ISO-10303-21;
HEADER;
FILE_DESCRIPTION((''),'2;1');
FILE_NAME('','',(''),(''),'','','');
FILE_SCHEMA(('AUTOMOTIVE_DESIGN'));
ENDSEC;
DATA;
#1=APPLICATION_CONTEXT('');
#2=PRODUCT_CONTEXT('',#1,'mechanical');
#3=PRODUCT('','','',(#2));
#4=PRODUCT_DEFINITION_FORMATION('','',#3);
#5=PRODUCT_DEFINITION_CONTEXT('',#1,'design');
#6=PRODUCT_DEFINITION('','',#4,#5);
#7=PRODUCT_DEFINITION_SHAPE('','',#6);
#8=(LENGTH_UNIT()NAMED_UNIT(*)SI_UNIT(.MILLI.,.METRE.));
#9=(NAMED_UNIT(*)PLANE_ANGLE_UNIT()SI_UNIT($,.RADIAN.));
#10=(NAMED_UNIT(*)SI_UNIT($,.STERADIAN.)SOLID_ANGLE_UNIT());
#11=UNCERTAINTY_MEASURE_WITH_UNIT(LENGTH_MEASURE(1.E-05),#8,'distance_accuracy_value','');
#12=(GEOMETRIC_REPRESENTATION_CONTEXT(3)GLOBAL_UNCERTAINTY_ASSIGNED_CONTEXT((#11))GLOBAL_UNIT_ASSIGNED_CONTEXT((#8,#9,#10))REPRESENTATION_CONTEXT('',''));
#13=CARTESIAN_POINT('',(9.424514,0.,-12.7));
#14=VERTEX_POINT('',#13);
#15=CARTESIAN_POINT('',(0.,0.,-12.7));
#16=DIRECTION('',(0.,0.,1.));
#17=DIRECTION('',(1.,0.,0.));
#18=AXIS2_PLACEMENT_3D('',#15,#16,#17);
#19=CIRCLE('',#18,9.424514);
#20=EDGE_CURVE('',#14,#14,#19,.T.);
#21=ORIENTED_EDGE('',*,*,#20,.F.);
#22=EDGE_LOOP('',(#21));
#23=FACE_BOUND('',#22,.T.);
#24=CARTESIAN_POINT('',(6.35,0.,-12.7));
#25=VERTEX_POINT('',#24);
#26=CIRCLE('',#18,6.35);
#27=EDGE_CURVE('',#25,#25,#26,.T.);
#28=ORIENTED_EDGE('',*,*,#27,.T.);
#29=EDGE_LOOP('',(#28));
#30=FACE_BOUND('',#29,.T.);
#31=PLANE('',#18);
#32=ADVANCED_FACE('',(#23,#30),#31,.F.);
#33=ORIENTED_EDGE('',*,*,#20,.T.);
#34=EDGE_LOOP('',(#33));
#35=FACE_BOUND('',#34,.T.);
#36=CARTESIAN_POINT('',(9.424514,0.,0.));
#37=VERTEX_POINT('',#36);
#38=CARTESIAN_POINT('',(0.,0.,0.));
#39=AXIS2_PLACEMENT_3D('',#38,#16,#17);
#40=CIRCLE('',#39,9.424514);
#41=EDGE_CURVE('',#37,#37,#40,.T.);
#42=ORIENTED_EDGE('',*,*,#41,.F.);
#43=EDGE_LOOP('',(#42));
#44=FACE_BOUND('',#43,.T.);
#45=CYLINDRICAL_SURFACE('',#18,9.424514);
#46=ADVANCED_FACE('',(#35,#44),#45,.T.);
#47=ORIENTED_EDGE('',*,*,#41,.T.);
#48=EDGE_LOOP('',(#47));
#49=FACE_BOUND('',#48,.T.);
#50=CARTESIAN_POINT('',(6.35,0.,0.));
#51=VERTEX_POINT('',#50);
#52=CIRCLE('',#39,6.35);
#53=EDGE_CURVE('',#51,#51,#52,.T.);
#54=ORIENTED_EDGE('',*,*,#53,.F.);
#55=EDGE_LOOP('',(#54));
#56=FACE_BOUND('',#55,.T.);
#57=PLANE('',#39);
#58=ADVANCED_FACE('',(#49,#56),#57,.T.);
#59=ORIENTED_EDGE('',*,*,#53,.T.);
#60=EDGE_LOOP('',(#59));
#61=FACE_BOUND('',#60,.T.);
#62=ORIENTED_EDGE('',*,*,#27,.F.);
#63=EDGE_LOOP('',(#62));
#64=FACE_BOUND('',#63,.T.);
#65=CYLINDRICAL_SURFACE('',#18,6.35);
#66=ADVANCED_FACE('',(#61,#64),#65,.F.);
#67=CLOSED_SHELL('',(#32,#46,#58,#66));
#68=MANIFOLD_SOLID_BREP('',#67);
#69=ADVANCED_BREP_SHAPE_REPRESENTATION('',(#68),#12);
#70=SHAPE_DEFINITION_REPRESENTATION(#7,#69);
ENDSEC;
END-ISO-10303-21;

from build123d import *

# Parameters (mm, degrees)
SKETCH1_R      = 9.424514051
SKETCH1_R_2    = 6.35
EXTRUDE1_DEPTH = 12.7


with BuildPart() as part:
    # Sketch1 → Extrude1 (new body)
    with BuildSketch(Plane.XY):
        Circle(SKETCH1_R)
        Circle(SKETCH1_R_2, mode=Mode.SUBTRACT)
    extrude(amount=-EXTRUDE1_DEPTH)


solid = part.part
